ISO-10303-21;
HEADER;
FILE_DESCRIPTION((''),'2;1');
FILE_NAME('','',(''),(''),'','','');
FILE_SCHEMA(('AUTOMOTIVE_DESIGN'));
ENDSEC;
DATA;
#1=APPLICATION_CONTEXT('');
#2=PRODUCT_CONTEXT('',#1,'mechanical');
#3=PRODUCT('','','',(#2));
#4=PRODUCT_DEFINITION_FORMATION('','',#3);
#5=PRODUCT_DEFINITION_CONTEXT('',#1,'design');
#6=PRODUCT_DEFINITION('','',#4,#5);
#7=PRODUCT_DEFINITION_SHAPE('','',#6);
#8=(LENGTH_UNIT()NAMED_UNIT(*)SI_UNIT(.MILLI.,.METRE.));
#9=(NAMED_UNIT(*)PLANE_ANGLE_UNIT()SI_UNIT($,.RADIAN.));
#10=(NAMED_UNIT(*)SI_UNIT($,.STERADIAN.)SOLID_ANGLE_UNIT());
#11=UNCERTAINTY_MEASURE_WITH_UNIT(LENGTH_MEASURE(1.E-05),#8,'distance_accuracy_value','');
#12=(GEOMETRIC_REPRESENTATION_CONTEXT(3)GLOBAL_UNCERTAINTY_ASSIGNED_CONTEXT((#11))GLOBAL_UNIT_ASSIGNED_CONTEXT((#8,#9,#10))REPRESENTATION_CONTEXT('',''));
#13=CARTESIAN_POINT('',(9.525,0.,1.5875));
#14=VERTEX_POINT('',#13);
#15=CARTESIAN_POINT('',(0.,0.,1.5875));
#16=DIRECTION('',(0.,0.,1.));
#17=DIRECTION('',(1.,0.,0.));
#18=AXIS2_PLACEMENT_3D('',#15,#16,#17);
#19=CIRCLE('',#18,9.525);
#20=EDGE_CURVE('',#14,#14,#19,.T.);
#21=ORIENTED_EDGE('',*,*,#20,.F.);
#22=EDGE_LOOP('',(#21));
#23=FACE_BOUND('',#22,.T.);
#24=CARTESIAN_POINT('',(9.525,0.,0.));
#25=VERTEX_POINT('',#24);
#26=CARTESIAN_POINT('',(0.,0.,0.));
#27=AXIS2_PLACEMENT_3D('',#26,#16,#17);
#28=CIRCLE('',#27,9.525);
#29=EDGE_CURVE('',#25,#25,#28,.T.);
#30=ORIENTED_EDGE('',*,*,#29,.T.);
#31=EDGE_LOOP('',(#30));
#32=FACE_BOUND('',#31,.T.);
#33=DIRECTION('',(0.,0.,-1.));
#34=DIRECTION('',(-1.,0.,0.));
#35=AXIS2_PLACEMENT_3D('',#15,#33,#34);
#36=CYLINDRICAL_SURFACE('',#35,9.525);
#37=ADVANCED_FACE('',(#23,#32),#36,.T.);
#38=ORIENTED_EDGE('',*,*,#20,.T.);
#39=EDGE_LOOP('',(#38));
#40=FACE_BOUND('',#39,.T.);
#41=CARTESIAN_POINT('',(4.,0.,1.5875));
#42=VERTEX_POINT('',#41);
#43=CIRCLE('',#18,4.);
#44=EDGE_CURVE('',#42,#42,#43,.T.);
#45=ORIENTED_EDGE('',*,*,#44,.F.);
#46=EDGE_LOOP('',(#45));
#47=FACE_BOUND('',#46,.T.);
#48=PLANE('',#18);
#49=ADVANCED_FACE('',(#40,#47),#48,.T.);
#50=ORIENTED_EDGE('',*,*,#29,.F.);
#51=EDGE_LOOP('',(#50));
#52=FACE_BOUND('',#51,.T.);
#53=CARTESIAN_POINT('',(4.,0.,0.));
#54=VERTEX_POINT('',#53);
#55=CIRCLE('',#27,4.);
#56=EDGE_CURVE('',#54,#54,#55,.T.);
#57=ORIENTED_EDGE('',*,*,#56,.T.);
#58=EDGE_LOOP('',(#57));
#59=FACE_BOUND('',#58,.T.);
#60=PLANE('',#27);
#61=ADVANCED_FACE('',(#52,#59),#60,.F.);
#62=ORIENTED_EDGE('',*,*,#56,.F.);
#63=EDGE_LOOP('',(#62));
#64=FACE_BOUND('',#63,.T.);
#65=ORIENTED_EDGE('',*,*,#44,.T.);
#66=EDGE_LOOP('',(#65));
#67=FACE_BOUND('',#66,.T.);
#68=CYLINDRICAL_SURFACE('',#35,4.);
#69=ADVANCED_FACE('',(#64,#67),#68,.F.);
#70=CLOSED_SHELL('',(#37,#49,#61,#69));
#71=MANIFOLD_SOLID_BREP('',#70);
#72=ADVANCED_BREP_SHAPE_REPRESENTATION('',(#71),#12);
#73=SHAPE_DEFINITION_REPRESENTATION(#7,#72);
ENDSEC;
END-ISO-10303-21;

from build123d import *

# Parameters (mm, degrees)
SKETCH1_R           = 9.525
SKETCH1_R_2         = 4
BOSS_EXTRUDE1_DEPTH = 1.5875


with BuildPart() as part:
    # Sketch1 → Boss-Extrude1 (new body)
    with BuildSketch(Plane.XY):
        Circle(SKETCH1_R)
        Circle(SKETCH1_R_2, mode=Mode.SUBTRACT)
    extrude(amount=BOSS_EXTRUDE1_DEPTH)


solid = part.part
